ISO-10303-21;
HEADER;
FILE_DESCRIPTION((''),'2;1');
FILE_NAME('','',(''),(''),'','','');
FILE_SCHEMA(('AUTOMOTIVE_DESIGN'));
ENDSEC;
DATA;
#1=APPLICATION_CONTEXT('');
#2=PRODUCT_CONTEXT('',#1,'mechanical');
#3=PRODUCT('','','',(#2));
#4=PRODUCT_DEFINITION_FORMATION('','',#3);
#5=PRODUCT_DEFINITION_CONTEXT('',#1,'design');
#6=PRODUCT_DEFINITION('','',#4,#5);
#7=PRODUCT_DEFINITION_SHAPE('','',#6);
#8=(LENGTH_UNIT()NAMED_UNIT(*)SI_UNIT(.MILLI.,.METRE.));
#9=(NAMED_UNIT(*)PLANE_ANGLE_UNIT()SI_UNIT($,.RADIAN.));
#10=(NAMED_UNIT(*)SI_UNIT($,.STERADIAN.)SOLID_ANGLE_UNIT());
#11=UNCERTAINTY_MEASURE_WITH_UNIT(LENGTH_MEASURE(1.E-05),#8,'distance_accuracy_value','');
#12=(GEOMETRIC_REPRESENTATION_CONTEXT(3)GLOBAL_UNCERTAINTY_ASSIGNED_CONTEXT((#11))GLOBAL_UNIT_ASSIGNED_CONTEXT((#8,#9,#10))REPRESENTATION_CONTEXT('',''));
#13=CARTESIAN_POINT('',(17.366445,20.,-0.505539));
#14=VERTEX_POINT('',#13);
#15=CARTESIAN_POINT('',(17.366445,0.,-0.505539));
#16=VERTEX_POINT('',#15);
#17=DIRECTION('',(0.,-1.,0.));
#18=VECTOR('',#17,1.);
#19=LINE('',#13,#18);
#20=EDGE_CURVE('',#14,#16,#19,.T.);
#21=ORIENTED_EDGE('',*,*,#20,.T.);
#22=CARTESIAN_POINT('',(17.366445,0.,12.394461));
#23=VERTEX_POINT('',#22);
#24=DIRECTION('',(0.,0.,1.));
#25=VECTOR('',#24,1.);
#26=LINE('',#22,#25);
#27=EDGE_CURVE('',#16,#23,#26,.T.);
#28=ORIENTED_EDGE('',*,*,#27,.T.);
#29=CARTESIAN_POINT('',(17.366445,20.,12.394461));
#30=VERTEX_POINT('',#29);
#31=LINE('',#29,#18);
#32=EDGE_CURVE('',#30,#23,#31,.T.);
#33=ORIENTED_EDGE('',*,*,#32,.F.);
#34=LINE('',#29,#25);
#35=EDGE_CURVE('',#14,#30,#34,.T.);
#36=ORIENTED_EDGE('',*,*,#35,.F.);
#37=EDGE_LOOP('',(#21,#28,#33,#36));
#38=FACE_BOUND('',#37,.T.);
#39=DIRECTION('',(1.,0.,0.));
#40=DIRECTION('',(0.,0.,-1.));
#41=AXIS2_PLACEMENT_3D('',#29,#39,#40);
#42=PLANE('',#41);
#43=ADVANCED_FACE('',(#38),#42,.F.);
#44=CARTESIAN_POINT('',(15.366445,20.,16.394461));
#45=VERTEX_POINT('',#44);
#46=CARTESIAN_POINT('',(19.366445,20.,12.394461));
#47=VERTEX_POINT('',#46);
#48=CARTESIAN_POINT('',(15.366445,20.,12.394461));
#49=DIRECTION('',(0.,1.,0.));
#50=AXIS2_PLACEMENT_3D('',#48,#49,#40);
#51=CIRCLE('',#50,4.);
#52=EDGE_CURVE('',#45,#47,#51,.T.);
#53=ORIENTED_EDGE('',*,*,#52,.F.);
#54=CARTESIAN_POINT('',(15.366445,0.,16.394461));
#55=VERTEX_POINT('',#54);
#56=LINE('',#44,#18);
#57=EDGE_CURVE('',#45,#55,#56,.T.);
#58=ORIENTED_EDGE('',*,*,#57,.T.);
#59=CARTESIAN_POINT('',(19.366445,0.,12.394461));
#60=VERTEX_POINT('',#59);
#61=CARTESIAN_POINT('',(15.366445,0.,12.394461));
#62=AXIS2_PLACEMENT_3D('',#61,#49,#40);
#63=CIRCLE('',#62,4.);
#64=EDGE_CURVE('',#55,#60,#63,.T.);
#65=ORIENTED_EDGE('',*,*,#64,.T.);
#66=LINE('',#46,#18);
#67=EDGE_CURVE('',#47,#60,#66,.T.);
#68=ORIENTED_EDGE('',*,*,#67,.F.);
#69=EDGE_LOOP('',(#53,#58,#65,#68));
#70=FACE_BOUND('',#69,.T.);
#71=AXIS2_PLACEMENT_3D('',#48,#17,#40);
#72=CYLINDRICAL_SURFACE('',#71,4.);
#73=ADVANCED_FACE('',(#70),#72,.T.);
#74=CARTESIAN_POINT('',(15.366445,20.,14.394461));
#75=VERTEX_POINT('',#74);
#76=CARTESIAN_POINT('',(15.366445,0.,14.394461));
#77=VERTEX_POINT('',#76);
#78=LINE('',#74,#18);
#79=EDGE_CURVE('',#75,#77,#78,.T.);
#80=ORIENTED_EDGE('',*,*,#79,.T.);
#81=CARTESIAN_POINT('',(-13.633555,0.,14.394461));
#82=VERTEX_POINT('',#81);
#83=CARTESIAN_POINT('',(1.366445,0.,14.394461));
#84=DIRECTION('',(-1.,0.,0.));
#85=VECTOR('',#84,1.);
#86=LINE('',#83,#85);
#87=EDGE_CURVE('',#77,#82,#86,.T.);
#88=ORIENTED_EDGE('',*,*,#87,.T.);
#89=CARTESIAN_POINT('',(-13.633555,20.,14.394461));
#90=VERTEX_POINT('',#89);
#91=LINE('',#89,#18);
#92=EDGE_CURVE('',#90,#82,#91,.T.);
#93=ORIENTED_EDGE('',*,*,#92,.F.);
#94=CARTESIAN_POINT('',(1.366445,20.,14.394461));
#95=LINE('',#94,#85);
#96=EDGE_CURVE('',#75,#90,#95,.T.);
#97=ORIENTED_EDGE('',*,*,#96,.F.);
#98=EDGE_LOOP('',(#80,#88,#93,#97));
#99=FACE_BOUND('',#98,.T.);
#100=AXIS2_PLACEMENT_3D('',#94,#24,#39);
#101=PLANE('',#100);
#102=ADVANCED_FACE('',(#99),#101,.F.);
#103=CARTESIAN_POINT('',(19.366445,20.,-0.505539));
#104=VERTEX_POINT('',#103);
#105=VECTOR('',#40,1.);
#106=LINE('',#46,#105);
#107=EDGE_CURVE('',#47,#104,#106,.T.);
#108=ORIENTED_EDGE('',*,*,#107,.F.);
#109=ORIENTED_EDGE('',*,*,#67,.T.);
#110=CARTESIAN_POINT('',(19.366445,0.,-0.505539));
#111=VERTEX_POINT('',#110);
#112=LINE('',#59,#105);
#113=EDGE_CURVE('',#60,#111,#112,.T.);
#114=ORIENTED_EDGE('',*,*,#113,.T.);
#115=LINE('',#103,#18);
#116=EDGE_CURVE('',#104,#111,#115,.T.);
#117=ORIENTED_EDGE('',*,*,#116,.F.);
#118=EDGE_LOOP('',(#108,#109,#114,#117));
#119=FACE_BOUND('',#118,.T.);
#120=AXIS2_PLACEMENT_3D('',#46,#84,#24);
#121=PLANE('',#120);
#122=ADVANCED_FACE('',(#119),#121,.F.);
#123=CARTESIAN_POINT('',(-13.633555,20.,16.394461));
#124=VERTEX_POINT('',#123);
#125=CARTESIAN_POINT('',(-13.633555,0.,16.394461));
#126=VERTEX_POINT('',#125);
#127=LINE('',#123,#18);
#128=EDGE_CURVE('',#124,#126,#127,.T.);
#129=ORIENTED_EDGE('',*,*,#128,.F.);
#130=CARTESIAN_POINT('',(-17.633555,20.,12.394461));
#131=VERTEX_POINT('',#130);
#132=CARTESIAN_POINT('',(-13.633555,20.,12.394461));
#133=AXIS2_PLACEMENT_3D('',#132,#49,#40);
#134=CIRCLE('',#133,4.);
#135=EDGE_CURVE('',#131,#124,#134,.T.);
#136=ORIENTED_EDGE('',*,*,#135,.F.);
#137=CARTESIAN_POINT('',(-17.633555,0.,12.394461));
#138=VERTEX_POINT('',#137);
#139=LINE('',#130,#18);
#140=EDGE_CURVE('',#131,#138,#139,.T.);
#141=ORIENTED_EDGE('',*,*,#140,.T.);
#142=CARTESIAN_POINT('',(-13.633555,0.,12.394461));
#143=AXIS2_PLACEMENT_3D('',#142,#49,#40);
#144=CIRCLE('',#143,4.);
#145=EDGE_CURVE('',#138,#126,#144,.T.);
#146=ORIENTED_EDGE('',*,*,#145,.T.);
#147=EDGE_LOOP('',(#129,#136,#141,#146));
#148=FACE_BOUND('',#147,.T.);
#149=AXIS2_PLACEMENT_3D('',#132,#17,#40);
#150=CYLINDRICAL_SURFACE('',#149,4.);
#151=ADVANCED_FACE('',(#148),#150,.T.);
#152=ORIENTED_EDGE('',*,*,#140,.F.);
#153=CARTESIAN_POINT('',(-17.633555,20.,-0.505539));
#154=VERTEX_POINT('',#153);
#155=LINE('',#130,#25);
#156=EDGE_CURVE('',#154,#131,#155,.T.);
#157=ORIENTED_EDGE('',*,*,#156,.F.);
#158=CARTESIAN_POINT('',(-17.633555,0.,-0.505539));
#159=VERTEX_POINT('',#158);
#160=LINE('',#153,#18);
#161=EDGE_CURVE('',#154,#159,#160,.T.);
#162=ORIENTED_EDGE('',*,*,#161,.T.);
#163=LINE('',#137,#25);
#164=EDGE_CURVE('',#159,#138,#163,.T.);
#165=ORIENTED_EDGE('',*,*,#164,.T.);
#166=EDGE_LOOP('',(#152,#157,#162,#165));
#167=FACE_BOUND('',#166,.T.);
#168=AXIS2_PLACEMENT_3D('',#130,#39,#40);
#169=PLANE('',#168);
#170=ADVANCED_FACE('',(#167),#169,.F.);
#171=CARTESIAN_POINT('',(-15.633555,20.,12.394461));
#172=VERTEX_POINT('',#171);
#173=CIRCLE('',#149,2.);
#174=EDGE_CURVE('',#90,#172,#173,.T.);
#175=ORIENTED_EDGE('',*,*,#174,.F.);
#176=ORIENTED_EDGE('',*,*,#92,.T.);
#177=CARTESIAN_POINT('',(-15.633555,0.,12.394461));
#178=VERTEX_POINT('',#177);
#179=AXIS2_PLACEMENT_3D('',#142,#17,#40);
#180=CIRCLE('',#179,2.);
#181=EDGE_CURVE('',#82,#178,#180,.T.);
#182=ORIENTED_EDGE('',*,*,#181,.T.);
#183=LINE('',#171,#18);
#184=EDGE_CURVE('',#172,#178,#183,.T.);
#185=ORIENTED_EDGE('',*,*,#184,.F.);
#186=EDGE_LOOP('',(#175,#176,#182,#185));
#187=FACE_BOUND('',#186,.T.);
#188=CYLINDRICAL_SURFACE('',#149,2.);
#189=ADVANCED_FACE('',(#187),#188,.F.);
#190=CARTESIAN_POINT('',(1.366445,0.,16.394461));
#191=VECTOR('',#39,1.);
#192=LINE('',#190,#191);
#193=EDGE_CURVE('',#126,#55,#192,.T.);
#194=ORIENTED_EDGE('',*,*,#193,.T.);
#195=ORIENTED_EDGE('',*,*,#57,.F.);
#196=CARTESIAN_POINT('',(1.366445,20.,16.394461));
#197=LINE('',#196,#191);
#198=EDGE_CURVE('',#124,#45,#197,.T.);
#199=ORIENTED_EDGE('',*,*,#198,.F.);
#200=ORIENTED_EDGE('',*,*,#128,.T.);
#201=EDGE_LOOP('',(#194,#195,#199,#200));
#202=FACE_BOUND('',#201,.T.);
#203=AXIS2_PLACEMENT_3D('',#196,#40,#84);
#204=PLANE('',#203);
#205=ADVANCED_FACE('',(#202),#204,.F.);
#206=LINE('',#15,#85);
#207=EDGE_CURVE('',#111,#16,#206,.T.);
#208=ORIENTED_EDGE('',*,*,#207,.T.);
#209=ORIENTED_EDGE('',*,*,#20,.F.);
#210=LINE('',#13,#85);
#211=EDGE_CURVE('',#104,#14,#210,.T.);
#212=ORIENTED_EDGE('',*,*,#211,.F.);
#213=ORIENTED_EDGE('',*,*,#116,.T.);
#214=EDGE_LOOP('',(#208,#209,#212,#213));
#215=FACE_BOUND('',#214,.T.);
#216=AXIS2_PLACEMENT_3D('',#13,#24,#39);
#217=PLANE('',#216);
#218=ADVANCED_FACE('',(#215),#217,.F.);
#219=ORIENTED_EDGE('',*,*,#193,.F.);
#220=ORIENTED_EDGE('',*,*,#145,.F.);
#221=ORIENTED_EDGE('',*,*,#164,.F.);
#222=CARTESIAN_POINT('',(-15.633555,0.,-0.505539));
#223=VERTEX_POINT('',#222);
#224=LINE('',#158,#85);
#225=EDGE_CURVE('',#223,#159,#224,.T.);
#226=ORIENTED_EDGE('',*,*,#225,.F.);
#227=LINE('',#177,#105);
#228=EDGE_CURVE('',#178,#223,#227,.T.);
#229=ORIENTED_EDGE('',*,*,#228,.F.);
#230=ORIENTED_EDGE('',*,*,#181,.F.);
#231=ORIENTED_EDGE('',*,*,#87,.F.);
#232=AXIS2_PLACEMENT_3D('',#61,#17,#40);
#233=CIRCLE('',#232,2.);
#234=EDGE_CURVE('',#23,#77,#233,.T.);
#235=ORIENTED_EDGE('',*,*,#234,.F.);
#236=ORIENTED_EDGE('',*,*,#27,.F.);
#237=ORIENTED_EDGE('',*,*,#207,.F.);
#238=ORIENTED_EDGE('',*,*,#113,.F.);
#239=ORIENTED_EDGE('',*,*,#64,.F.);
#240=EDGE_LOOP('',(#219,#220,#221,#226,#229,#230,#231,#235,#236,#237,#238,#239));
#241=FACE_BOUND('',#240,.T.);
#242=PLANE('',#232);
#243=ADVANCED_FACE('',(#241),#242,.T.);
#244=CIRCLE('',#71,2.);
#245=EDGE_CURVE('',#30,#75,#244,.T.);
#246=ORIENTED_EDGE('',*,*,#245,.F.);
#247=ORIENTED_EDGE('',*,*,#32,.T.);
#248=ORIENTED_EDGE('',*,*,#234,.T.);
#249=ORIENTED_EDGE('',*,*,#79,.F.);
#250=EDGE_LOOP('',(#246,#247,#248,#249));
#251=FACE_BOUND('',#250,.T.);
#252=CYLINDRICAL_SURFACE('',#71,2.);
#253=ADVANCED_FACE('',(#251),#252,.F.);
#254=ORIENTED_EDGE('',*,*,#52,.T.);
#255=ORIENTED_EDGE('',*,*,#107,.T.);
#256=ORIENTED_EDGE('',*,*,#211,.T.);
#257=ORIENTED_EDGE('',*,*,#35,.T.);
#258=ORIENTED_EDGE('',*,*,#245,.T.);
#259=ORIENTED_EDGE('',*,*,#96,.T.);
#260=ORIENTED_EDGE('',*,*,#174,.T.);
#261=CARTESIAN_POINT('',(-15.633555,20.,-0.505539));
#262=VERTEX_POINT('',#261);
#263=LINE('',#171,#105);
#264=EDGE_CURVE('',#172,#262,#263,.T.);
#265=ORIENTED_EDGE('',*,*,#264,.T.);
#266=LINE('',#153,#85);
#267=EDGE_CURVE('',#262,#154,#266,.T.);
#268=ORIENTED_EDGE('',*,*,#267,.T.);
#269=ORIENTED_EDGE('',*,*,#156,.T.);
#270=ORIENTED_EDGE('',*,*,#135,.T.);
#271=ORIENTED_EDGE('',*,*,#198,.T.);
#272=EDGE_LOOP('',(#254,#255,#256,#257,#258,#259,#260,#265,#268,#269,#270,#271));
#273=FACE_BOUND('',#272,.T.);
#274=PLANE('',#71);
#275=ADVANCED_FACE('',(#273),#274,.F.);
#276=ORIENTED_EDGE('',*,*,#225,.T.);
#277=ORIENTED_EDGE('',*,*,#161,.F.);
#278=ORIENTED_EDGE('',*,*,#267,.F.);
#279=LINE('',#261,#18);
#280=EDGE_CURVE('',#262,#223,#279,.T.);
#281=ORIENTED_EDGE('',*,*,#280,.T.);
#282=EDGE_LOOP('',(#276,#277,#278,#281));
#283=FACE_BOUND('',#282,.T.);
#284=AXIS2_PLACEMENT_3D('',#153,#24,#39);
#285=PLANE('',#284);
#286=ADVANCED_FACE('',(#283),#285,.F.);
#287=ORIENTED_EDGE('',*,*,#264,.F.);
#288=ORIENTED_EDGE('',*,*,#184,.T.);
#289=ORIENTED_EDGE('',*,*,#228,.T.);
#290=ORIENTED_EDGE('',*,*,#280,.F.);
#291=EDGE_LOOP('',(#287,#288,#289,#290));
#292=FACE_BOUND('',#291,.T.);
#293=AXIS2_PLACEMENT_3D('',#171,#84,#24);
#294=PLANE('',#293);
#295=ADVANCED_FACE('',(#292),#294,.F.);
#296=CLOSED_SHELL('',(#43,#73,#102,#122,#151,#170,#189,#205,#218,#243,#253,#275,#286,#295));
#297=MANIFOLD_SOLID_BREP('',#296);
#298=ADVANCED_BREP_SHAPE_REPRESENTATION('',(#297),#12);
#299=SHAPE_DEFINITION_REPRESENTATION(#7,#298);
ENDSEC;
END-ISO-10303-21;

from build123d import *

# Parameters (mm, degrees)
BOSS_EXTRUDE2_DEPTH = 20


with BuildPart() as part:
    # Sketch1 → Boss-Extrude2 (new body)
    with BuildSketch(Plane(origin=(0, 0, 0), x_dir=(1, 0, 0), z_dir=(0, 1, 0))):
        with BuildLine():
            Line((1.36644496, -14.394460771), (-13.63355504, -14.394460771))
            ThreePointArc((-13.63355504, -14.394460771), (-15.047768603, -13.808674334), (-15.63355504, -12.394460771))
            Line((-15.63355504, -12.394460771), (-15.63355504, 0.505539229))
            Line((-15.63355504, 0.505539229), (-17.63355504, 0.505539229))
            Line((-17.63355504, 0.505539229), (-17.63355504, -12.394460771))
            ThreePointArc((-17.63355504, -12.394460771), (-16.461982165, -15.222887896), (-13.63355504, -16.394460771))
            Line((-13.63355504, -16.394460771), (1.36644496, -16.394460771))
            Line((1.36644496, -16.394460771), (15.36644496, -16.394460771))
            ThreePointArc((15.36644496, -16.394460771), (18.194872084, -15.222887896), (19.36644496, -12.394460771))
            Line((19.36644496, -12.394460771), (19.36644496, 0.505539229))
            Line((19.36644496, 0.505539229), (17.36644496, 0.505539229))
            Line((17.36644496, 0.505539229), (17.36644496, -12.394460771))
            ThreePointArc((17.36644496, -12.394460771), (16.780658522, -13.808674334), (15.36644496, -14.394460771))
            Line((15.36644496, -14.394460771), (1.36644496, -14.394460771))
        make_face()
    extrude(amount=BOSS_EXTRUDE2_DEPTH)


solid = part.part
